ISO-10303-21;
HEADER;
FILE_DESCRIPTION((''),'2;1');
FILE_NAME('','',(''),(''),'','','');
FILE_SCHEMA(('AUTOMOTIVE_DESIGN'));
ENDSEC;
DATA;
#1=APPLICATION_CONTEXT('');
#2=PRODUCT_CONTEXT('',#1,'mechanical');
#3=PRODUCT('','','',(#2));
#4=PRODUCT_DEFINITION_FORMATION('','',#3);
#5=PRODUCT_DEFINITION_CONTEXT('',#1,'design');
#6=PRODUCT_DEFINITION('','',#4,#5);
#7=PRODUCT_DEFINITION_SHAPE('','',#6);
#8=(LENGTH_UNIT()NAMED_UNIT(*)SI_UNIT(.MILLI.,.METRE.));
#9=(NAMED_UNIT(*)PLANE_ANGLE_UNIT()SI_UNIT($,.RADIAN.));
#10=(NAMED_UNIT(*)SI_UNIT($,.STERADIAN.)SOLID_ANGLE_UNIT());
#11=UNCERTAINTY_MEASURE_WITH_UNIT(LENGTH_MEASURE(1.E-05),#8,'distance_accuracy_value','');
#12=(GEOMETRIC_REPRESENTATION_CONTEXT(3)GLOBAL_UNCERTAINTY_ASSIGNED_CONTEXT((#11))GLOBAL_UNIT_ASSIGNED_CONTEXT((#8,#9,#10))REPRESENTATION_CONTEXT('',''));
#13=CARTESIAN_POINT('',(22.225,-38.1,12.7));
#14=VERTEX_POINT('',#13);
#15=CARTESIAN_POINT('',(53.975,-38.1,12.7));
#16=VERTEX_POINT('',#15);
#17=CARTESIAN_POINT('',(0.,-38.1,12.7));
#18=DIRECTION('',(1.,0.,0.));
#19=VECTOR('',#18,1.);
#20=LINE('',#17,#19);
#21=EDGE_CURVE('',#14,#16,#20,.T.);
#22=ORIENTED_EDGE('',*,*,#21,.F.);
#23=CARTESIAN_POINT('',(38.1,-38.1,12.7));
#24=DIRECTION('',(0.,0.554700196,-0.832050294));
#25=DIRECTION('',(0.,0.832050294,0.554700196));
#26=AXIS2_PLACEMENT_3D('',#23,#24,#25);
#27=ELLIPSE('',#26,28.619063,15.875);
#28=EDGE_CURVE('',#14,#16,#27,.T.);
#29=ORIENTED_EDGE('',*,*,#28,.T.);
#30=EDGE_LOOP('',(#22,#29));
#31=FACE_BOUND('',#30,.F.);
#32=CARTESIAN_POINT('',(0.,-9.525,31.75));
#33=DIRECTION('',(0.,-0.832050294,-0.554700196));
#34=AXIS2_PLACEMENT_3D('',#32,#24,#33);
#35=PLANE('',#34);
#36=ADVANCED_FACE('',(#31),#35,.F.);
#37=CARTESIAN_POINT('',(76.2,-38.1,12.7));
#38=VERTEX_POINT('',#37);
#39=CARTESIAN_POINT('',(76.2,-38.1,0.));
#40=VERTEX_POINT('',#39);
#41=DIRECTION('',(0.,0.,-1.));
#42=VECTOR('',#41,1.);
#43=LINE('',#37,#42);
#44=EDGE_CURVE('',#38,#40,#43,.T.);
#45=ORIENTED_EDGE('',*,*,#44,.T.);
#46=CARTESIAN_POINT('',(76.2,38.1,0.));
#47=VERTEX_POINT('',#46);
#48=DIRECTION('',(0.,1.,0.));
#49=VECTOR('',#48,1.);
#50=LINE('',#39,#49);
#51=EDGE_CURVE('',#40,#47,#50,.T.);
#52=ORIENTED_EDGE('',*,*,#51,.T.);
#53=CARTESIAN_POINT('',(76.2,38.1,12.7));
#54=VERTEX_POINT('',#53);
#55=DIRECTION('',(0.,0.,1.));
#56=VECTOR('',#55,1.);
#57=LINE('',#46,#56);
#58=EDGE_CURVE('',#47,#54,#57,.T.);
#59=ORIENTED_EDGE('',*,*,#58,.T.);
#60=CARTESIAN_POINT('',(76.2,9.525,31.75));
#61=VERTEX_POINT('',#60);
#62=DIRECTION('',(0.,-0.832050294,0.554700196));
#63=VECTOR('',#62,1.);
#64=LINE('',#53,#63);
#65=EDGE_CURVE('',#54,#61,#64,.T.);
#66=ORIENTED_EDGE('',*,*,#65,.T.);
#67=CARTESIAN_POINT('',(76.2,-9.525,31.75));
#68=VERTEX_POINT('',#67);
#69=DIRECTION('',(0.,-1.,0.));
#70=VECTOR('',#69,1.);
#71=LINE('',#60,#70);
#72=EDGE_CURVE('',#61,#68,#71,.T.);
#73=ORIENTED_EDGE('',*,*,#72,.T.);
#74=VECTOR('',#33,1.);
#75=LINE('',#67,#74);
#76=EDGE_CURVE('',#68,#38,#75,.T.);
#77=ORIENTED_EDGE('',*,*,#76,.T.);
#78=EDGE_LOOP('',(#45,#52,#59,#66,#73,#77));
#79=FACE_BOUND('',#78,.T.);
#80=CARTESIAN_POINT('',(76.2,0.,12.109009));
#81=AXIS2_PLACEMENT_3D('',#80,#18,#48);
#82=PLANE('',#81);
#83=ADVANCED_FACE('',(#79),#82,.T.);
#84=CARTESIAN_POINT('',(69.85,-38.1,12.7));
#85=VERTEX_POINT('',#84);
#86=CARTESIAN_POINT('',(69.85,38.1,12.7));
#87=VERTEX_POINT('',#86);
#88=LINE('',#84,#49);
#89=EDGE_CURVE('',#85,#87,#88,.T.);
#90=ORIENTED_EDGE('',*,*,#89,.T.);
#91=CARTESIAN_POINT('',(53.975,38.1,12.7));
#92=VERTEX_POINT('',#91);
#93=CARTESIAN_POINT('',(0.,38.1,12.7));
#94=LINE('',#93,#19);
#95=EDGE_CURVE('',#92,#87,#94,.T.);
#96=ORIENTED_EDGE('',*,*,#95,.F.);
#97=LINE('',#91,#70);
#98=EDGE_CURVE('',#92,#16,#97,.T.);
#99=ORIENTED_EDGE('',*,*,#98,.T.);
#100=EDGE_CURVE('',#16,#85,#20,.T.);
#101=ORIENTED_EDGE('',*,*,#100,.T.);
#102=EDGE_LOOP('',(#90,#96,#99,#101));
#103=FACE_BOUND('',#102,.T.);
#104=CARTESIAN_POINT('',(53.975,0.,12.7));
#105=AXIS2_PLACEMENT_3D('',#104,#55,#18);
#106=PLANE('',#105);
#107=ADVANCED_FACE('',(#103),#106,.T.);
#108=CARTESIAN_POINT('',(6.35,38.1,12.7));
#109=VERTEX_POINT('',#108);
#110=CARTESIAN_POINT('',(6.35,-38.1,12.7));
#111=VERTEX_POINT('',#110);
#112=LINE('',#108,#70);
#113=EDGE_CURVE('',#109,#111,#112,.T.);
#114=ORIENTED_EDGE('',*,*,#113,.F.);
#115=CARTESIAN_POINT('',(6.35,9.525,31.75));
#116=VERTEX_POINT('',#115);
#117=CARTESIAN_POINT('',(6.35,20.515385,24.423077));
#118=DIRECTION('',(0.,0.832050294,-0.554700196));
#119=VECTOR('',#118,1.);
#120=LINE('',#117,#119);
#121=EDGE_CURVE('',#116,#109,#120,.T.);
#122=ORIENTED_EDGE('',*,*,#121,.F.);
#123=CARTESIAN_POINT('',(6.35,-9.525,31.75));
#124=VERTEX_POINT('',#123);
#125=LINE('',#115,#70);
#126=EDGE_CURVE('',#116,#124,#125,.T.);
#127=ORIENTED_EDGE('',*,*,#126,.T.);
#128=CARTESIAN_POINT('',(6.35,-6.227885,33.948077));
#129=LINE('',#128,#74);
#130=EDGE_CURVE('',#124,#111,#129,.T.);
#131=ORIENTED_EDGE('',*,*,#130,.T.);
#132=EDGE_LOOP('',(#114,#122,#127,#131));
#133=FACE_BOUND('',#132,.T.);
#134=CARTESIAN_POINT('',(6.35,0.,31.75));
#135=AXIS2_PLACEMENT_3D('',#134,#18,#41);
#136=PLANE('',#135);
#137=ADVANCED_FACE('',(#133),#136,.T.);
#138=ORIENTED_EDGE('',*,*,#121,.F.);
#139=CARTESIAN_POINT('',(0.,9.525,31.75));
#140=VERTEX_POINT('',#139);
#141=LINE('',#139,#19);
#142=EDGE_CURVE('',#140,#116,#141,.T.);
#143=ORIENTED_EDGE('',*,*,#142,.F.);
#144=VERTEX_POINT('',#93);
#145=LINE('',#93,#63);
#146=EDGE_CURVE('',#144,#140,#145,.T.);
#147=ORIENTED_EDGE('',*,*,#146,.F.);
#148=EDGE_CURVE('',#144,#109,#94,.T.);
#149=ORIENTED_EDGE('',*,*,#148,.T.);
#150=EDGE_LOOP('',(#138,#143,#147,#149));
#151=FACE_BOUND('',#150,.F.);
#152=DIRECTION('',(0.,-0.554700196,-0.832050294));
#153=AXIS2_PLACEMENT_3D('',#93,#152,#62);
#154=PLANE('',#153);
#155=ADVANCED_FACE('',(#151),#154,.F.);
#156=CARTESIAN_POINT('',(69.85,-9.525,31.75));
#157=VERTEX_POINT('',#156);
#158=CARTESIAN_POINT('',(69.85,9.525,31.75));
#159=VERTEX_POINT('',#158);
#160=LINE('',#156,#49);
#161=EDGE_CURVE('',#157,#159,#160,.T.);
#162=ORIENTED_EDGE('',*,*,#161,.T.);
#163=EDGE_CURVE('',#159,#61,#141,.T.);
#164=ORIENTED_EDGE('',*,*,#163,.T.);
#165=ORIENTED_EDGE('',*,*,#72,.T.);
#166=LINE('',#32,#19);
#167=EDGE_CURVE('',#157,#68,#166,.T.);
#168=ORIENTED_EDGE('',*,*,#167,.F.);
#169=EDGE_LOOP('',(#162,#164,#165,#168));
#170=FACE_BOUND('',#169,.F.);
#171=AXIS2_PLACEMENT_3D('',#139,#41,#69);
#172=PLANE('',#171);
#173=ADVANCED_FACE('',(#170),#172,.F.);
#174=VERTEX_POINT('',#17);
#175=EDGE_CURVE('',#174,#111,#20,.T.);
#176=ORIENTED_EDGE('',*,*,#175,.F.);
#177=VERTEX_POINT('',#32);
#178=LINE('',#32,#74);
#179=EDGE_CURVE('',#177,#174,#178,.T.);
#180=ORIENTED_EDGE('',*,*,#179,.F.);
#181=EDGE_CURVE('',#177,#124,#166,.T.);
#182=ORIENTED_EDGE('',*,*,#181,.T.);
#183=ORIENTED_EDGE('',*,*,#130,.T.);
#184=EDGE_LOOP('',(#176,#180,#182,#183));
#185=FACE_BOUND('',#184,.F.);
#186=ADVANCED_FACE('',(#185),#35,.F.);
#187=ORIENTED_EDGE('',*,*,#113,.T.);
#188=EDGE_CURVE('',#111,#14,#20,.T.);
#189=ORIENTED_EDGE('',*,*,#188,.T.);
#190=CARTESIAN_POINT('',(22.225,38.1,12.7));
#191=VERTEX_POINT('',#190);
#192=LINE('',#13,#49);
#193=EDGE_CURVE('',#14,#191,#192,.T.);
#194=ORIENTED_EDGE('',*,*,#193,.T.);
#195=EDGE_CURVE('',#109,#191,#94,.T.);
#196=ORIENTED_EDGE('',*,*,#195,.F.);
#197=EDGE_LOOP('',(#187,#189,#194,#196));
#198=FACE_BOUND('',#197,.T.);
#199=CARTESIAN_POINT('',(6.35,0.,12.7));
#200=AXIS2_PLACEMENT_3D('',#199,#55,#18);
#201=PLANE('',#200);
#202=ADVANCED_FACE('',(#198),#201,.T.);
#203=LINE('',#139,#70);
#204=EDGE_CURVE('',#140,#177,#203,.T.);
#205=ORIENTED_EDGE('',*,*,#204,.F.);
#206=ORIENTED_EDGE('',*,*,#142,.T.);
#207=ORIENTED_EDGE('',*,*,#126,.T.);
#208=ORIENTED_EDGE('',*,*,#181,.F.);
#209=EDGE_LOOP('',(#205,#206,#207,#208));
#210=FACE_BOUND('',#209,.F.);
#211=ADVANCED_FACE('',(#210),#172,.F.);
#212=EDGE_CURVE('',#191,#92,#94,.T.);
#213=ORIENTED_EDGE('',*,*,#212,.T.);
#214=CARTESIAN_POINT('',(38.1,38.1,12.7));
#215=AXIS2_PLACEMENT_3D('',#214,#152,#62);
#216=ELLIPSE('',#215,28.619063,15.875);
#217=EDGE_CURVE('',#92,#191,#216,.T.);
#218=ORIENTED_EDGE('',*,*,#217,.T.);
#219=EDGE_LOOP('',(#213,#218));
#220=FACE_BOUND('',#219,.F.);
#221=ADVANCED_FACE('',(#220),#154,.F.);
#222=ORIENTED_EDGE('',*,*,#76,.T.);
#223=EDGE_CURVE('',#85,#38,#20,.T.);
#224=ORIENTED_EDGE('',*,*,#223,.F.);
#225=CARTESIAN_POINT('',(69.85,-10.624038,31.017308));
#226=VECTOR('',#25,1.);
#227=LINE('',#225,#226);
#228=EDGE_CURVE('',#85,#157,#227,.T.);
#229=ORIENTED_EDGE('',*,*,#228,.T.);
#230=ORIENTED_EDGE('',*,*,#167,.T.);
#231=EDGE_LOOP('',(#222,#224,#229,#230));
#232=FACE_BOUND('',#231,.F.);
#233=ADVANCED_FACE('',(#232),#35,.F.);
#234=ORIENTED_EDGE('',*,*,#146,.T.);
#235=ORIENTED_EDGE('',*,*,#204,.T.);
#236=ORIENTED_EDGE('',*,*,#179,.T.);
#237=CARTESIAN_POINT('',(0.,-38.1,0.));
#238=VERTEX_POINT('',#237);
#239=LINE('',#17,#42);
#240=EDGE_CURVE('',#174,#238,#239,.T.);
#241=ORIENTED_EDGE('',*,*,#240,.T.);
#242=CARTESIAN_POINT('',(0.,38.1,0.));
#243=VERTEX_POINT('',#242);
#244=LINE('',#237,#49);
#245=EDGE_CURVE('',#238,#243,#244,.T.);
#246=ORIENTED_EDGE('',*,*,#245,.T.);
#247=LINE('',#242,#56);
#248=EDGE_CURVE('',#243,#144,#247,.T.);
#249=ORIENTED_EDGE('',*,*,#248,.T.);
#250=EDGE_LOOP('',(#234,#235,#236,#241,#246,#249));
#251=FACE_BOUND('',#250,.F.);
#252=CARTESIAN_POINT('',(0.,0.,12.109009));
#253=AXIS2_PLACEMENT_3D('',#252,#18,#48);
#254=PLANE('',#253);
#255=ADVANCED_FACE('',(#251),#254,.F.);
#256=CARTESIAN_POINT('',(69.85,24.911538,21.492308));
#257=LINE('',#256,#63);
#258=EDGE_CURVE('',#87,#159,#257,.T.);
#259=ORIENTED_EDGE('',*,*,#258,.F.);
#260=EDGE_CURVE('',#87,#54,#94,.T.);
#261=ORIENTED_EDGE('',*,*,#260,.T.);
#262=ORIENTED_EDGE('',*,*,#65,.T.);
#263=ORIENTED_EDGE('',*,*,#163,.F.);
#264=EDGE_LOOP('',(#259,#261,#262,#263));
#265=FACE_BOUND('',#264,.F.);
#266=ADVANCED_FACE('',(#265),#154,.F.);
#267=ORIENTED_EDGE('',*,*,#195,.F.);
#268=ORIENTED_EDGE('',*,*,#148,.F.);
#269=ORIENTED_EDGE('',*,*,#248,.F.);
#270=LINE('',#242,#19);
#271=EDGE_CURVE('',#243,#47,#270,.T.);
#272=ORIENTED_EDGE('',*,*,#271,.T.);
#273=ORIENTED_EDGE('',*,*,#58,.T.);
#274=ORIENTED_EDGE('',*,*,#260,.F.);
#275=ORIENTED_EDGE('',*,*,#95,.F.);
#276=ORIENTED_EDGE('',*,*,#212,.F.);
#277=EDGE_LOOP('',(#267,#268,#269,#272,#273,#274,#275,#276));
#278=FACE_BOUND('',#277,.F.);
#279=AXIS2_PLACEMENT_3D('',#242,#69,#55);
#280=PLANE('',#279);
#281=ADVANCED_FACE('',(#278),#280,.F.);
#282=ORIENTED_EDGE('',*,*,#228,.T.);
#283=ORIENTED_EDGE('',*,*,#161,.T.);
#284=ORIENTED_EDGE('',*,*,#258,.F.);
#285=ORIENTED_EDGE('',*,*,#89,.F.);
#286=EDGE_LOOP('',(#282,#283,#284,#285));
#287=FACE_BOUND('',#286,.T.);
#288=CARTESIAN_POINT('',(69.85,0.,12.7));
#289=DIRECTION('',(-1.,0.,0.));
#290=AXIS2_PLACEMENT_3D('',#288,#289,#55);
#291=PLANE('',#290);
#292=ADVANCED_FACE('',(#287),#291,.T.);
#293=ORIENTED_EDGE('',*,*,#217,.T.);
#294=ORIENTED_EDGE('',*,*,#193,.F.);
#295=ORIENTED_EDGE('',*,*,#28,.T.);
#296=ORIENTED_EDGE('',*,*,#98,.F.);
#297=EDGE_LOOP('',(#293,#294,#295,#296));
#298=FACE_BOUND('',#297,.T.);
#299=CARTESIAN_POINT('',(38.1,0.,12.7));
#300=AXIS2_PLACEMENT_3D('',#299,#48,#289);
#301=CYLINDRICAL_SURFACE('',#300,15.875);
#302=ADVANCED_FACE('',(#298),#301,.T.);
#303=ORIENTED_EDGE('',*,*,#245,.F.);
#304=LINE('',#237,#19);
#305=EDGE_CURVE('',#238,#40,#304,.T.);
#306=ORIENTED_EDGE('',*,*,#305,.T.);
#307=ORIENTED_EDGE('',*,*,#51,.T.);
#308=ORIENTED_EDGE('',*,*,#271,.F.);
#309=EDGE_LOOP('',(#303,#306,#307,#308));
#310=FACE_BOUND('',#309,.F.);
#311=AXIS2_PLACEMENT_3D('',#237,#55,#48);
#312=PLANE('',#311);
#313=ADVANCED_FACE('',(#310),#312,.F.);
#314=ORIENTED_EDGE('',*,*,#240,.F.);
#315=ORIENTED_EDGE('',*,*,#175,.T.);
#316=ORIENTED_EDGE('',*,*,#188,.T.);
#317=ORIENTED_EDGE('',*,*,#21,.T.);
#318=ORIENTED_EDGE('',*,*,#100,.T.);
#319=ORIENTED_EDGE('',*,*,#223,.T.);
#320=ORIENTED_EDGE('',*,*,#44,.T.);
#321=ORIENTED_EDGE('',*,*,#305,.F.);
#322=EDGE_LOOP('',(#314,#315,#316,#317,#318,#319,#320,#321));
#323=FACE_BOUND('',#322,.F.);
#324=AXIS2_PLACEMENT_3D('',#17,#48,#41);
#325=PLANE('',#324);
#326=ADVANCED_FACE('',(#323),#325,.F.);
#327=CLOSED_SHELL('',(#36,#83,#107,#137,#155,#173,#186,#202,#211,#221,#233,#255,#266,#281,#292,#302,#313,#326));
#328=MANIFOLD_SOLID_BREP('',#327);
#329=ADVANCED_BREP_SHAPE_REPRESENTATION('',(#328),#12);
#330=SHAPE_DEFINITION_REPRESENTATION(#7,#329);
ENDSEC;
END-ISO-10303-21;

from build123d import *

# Parameters (mm, degrees)
F1_DEPTH      = 76.2
F3_DEPTH      = 38.101
F3_DEPTH_BACK = 38.101


with BuildPart() as f1:
    # F0 (on Right) → F1 (new body)
    with BuildSketch(Plane.YZ):
        Polygon((-38.1, 12.7), (-38.1, 0), (38.1, 0), (38.1, 12.7), (9.525, 31.75), (-9.525, 31.75), align=None)
    extrude(amount=F1_DEPTH)

    # F2 (on Front) → F3 (cut, two sides)
    with BuildSketch(Plane.XZ) as f3_sk:
        with BuildLine():
            Line((69.85, 31.75), (6.35, 31.75))
            Line((6.35, 31.75), (6.35, 12.7))
            Line((6.35, 12.7), (22.225, 12.7))
            ThreePointArc((22.225, 12.7), (38.1, 28.575), (53.975, 12.7))
            Line((53.975, 12.7), (69.85, 12.7))
            Line((69.85, 12.7), (69.85, 31.75))
        make_face()
    extrude(amount=-F3_DEPTH, mode=Mode.SUBTRACT)
    extrude(f3_sk.sketch, amount=F3_DEPTH_BACK, mode=Mode.SUBTRACT)


solid = f1.part
